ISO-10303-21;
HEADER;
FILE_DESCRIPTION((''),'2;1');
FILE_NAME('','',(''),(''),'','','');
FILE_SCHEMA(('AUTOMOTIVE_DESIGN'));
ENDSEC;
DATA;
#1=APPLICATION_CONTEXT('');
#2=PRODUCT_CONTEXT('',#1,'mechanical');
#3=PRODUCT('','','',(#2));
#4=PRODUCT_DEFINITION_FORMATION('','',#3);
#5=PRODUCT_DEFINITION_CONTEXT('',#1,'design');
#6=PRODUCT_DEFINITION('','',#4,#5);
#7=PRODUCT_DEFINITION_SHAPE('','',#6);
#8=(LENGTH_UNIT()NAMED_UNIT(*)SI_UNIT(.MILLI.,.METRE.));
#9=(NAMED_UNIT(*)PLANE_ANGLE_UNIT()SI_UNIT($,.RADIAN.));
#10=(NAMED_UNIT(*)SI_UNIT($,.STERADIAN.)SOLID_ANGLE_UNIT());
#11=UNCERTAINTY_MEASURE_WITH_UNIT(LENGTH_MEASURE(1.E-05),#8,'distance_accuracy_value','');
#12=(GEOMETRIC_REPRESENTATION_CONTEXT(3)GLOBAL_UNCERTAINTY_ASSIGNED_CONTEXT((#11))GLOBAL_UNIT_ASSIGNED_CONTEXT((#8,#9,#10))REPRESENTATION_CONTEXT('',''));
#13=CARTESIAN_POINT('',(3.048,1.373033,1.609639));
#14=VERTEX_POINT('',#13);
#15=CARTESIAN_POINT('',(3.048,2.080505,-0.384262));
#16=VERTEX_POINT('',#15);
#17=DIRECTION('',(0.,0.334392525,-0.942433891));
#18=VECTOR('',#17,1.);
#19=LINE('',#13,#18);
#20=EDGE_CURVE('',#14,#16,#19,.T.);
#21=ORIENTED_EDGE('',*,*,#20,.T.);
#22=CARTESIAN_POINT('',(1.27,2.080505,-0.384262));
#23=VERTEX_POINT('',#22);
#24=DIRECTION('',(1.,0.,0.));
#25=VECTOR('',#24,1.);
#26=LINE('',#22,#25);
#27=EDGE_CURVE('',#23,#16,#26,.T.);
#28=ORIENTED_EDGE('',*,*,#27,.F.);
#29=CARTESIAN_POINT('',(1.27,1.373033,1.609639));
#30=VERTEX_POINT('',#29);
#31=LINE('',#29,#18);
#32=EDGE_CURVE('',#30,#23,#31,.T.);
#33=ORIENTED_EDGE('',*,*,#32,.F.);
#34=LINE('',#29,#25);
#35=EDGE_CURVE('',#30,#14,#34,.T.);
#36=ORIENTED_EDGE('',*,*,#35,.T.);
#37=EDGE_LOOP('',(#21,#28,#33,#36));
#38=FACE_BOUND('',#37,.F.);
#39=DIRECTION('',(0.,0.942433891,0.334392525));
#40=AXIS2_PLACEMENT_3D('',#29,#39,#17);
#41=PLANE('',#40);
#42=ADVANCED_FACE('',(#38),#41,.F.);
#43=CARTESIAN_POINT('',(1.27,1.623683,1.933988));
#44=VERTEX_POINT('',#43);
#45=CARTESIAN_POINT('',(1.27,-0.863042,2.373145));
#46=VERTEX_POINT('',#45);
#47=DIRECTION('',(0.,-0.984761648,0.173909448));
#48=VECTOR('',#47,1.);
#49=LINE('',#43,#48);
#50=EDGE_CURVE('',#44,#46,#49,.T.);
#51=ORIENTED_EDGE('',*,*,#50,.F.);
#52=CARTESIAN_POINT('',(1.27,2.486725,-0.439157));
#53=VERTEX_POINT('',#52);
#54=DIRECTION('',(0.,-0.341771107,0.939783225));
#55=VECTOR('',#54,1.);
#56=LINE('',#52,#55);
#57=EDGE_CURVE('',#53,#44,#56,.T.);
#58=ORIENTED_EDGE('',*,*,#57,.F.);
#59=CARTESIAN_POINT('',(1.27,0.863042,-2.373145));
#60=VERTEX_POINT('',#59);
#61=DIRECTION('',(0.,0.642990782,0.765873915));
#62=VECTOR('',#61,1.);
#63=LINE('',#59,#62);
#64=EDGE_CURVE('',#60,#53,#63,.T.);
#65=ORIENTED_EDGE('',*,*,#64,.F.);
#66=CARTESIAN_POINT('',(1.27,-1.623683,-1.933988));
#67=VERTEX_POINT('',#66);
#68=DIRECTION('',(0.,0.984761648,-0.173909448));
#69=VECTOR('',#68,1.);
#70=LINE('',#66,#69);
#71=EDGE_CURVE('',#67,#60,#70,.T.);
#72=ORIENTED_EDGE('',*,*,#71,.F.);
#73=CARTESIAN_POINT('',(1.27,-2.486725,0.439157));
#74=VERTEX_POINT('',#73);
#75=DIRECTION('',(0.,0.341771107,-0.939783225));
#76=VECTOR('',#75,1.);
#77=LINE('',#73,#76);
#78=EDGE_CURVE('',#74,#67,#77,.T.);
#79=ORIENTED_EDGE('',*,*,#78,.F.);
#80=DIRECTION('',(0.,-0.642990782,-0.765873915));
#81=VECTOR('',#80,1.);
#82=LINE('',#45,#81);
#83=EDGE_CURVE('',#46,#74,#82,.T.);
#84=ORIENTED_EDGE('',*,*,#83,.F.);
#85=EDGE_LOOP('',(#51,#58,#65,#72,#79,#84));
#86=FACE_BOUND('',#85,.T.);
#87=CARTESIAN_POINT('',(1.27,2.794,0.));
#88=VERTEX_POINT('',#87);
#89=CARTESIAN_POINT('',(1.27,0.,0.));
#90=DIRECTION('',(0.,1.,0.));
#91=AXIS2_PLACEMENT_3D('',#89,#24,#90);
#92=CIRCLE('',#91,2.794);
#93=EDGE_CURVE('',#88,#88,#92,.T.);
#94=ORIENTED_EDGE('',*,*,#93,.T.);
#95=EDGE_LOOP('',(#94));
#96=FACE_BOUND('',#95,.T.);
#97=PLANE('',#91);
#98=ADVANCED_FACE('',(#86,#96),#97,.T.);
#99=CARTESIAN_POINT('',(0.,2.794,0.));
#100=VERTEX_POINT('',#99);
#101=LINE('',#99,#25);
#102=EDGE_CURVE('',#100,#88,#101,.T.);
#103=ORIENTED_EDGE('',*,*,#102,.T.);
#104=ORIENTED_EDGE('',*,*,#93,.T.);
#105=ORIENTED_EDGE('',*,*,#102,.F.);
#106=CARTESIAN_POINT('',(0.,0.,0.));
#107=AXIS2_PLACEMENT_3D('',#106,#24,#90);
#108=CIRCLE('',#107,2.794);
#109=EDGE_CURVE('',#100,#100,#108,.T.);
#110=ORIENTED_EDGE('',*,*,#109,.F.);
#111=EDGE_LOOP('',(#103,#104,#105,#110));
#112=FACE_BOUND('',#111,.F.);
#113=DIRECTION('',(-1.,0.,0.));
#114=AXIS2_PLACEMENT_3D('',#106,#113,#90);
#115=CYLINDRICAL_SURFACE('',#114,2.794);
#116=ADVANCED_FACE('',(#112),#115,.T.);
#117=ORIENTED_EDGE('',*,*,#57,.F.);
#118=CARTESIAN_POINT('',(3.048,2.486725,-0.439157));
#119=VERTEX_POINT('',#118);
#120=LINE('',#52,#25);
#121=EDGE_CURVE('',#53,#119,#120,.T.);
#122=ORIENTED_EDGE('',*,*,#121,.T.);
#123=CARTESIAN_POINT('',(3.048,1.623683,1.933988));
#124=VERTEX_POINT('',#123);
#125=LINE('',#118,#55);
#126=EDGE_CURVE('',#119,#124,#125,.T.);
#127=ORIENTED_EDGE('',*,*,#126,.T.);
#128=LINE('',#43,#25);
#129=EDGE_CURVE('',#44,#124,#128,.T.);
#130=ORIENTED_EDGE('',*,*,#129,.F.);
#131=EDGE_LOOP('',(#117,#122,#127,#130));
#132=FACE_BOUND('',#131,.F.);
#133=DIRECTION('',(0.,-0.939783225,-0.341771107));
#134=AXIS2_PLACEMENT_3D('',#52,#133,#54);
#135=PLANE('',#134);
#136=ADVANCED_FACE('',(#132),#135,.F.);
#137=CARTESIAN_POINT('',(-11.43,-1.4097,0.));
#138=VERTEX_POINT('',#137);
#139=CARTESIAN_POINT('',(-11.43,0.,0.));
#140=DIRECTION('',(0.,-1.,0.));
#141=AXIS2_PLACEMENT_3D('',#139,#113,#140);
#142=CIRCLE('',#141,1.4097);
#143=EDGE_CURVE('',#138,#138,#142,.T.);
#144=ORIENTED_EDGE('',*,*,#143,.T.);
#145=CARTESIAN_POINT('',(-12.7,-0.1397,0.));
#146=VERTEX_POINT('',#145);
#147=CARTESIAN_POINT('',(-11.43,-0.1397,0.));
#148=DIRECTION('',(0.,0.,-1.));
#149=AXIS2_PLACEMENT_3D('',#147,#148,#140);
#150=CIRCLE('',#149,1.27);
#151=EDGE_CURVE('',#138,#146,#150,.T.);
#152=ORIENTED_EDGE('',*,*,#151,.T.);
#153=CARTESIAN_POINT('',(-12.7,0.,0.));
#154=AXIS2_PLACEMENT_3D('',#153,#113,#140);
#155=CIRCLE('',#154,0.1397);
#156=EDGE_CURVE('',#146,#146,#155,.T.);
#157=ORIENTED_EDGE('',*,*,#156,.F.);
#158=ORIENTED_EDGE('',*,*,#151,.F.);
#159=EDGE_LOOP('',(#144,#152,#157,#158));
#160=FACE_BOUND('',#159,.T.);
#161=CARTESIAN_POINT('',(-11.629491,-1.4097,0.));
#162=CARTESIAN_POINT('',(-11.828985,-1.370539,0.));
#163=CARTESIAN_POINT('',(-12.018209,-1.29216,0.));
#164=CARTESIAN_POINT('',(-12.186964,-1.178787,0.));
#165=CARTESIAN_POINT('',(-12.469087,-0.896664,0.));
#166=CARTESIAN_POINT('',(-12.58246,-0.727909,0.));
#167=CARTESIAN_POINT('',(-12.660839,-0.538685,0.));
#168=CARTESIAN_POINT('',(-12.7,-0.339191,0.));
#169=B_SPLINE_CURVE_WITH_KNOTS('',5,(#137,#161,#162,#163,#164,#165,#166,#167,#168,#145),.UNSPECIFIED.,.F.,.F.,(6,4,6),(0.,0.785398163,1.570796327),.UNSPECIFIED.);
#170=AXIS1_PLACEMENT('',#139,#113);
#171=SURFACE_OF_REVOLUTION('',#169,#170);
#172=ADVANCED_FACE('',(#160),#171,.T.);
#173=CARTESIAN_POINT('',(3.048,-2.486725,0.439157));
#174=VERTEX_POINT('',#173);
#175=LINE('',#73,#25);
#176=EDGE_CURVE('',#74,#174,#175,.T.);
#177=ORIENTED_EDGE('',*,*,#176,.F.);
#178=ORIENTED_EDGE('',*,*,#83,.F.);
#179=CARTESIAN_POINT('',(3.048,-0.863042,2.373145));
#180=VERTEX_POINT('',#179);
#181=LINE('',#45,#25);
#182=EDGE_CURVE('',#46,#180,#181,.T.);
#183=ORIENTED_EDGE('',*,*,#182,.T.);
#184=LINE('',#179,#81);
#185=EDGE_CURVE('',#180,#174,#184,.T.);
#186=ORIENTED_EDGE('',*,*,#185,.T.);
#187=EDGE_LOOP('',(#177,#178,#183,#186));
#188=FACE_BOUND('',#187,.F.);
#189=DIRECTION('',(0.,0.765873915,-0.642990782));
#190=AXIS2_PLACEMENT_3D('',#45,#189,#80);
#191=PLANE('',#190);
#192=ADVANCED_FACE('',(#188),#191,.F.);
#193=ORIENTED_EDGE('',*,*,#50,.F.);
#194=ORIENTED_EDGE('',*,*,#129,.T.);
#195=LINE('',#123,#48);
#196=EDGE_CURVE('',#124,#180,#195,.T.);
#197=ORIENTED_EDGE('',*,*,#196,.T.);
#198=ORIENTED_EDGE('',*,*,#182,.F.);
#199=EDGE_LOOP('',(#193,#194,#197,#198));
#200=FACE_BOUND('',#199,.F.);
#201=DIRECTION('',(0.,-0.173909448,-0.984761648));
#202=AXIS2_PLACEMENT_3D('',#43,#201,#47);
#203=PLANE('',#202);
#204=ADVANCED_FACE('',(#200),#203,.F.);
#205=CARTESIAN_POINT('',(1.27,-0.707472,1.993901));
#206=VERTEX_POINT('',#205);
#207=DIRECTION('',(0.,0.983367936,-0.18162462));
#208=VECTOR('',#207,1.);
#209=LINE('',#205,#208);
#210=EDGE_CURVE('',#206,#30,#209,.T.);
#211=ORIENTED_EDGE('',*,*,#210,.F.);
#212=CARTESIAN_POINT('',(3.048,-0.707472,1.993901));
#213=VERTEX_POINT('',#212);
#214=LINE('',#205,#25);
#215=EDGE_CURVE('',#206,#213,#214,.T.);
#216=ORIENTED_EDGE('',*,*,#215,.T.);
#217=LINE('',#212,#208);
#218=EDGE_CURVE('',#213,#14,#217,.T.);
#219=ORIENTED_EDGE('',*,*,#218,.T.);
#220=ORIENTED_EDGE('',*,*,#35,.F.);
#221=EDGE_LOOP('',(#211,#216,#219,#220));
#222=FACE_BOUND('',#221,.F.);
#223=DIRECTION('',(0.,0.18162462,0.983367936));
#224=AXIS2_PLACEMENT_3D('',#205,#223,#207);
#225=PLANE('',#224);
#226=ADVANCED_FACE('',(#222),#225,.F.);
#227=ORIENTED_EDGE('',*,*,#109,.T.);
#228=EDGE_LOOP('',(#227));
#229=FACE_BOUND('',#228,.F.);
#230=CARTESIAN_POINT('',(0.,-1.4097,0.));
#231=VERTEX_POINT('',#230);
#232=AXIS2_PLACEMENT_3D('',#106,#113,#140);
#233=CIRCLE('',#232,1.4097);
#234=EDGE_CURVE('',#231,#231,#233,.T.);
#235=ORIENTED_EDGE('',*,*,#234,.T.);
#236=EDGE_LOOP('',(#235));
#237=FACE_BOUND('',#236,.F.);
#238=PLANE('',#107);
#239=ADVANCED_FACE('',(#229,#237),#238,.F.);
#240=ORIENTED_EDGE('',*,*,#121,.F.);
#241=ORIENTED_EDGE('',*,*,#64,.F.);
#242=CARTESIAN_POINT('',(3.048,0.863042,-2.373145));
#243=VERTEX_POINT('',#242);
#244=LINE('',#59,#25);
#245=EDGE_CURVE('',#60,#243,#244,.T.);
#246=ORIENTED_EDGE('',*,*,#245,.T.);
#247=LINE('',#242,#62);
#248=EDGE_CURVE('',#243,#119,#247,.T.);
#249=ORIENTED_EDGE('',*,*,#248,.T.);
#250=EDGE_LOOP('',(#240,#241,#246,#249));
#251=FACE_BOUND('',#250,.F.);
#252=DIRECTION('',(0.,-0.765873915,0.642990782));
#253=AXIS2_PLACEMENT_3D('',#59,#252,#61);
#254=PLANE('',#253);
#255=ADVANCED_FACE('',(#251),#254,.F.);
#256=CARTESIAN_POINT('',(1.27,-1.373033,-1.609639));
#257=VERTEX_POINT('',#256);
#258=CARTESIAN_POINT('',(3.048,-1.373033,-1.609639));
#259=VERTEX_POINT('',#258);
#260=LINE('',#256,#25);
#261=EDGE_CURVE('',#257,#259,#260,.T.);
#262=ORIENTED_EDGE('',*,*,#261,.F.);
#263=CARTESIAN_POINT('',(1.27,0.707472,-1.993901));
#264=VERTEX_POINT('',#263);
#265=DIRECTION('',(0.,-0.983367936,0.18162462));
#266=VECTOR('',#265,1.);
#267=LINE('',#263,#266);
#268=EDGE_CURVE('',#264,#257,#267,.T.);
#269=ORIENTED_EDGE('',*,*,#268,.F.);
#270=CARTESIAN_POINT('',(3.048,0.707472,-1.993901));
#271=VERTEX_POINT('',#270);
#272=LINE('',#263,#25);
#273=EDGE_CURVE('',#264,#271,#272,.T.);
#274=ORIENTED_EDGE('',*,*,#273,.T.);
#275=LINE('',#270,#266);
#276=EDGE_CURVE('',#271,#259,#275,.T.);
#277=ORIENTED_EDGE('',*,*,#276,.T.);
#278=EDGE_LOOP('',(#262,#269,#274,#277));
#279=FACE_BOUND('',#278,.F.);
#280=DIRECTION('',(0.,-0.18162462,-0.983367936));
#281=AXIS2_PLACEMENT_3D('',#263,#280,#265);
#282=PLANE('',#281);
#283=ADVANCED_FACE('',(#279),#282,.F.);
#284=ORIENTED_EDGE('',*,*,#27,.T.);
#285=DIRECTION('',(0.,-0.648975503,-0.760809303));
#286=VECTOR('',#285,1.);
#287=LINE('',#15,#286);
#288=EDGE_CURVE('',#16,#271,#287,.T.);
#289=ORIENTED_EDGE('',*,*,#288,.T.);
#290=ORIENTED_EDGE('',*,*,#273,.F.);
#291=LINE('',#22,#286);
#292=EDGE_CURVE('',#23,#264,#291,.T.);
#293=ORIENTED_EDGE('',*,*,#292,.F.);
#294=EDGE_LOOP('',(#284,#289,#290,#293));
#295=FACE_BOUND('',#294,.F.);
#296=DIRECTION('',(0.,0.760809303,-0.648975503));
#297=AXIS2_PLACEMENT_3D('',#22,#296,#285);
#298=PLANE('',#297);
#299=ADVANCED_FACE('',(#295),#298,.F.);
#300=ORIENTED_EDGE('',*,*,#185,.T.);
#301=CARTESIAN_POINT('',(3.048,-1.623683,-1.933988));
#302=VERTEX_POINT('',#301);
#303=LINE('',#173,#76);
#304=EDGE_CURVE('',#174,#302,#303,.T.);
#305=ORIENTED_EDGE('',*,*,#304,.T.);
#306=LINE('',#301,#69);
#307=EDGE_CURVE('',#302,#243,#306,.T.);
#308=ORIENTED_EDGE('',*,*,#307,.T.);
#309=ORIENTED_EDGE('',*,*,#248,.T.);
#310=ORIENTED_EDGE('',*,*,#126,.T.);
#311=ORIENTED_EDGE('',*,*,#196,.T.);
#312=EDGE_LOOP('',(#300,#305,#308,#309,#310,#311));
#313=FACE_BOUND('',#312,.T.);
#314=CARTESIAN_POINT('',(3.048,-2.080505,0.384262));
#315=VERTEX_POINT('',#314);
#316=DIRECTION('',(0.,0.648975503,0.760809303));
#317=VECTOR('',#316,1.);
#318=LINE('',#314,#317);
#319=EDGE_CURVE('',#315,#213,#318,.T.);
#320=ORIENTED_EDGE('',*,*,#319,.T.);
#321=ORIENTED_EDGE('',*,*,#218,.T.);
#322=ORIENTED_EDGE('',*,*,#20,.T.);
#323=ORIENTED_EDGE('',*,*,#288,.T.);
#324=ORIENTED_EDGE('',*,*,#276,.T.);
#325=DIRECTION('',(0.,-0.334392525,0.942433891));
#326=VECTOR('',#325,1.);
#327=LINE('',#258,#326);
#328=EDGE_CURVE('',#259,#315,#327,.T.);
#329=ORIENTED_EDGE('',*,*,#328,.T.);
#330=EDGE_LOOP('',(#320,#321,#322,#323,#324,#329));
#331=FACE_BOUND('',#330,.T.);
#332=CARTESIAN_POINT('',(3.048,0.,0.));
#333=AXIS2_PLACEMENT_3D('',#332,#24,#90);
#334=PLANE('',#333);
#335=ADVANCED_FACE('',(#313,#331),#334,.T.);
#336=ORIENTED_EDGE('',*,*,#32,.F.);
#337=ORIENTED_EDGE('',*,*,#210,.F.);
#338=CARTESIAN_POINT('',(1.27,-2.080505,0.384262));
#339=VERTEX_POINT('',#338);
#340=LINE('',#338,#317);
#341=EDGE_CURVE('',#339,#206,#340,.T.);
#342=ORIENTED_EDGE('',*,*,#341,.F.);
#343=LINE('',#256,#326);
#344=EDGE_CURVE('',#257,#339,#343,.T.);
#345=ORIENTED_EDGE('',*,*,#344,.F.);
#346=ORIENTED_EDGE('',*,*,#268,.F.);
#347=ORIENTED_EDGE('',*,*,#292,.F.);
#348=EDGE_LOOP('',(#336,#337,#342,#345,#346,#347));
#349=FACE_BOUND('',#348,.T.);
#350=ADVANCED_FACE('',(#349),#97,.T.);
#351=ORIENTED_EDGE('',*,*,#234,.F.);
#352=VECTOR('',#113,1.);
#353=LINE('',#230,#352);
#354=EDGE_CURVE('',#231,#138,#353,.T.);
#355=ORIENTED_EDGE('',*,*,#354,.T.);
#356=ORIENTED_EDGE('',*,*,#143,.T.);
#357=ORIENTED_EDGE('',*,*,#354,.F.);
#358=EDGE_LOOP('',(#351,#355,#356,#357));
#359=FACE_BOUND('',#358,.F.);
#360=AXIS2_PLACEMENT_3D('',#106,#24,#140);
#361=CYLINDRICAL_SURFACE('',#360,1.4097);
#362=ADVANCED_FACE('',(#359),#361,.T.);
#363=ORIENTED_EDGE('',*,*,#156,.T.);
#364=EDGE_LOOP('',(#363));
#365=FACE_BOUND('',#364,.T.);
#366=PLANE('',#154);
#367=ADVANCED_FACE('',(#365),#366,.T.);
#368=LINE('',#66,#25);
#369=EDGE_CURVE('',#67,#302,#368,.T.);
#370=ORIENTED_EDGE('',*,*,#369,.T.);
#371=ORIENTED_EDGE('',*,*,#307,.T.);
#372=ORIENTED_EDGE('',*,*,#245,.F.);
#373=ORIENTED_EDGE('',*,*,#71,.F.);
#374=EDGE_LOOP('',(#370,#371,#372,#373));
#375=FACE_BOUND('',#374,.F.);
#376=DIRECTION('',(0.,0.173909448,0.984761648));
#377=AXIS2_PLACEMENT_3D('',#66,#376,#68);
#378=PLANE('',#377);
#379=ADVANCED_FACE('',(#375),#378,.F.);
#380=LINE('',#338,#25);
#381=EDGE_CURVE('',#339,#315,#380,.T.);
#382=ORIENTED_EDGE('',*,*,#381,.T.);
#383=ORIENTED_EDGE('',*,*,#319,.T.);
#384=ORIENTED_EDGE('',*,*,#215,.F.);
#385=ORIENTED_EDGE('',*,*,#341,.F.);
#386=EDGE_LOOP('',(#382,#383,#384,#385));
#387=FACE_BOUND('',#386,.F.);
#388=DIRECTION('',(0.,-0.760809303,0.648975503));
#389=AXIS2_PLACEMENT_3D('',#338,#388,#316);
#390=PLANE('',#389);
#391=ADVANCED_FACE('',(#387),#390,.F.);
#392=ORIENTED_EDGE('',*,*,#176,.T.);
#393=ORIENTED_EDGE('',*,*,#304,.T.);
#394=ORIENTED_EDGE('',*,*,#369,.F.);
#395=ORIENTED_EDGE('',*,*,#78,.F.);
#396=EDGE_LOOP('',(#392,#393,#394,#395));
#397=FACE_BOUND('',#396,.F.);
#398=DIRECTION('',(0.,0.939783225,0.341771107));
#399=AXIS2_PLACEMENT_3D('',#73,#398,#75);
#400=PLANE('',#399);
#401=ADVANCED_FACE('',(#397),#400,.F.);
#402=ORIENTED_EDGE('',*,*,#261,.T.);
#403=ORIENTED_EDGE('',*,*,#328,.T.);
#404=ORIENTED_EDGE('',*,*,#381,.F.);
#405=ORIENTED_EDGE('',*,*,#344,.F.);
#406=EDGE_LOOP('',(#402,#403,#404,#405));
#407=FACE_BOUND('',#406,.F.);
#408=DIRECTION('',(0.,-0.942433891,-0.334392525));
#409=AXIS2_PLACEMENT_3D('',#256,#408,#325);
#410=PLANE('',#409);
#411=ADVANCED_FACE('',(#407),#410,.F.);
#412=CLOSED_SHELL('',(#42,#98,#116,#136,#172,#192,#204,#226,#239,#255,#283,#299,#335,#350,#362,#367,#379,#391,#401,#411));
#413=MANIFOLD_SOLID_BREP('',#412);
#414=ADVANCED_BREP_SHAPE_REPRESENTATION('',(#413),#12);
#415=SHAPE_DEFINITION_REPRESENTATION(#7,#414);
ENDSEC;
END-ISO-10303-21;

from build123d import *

# Parameters (mm, degrees)
F0_R     = 2.794
F1_DEPTH = 1.27
F3_DEPTH = 1.778
F4_R     = 1.4097
F5_DEPTH = 12.7
F6_R     = 1.27


with BuildPart() as f1:
    # F0 (on Right) → F1 (new body)
    with BuildSketch(Plane.YZ):
        Circle(F0_R)
    extrude(amount=F1_DEPTH)

    # F2 (on face) → F3 (join)
    with BuildSketch(Plane.YZ.offset(1.27)):
        Polygon((-1.623683, -1.933988), (0.863042, -2.373145), (2.486725, -0.439157), (1.623683, 1.933988), (-0.863042, 2.373145), (-2.486725, 0.439157), align=None)
        Polygon((2.080505, -0.384262), (0.707472, -1.993901), (-1.373033, -1.609639), (-2.080505, 0.384262), (-0.707472, 1.993901), (1.373033, 1.609639), align=None, mode=Mode.SUBTRACT)
    extrude(amount=F3_DEPTH)

    # F4 (on face) → F5 (join)
    with BuildSketch(Plane(origin=(0, 0, 0), x_dir=(0, -1, 0), z_dir=(-1, 0, 0))):
        Circle(F4_R)
    extrude(amount=F5_DEPTH)

    # F6
    f6_edges = [f1.edges().sort_by_distance(p)[0] for p in [
        (-12.7, 1.4097, 0),
    ]]
    fillet(f6_edges, radius=F6_R)


solid = f1.part
